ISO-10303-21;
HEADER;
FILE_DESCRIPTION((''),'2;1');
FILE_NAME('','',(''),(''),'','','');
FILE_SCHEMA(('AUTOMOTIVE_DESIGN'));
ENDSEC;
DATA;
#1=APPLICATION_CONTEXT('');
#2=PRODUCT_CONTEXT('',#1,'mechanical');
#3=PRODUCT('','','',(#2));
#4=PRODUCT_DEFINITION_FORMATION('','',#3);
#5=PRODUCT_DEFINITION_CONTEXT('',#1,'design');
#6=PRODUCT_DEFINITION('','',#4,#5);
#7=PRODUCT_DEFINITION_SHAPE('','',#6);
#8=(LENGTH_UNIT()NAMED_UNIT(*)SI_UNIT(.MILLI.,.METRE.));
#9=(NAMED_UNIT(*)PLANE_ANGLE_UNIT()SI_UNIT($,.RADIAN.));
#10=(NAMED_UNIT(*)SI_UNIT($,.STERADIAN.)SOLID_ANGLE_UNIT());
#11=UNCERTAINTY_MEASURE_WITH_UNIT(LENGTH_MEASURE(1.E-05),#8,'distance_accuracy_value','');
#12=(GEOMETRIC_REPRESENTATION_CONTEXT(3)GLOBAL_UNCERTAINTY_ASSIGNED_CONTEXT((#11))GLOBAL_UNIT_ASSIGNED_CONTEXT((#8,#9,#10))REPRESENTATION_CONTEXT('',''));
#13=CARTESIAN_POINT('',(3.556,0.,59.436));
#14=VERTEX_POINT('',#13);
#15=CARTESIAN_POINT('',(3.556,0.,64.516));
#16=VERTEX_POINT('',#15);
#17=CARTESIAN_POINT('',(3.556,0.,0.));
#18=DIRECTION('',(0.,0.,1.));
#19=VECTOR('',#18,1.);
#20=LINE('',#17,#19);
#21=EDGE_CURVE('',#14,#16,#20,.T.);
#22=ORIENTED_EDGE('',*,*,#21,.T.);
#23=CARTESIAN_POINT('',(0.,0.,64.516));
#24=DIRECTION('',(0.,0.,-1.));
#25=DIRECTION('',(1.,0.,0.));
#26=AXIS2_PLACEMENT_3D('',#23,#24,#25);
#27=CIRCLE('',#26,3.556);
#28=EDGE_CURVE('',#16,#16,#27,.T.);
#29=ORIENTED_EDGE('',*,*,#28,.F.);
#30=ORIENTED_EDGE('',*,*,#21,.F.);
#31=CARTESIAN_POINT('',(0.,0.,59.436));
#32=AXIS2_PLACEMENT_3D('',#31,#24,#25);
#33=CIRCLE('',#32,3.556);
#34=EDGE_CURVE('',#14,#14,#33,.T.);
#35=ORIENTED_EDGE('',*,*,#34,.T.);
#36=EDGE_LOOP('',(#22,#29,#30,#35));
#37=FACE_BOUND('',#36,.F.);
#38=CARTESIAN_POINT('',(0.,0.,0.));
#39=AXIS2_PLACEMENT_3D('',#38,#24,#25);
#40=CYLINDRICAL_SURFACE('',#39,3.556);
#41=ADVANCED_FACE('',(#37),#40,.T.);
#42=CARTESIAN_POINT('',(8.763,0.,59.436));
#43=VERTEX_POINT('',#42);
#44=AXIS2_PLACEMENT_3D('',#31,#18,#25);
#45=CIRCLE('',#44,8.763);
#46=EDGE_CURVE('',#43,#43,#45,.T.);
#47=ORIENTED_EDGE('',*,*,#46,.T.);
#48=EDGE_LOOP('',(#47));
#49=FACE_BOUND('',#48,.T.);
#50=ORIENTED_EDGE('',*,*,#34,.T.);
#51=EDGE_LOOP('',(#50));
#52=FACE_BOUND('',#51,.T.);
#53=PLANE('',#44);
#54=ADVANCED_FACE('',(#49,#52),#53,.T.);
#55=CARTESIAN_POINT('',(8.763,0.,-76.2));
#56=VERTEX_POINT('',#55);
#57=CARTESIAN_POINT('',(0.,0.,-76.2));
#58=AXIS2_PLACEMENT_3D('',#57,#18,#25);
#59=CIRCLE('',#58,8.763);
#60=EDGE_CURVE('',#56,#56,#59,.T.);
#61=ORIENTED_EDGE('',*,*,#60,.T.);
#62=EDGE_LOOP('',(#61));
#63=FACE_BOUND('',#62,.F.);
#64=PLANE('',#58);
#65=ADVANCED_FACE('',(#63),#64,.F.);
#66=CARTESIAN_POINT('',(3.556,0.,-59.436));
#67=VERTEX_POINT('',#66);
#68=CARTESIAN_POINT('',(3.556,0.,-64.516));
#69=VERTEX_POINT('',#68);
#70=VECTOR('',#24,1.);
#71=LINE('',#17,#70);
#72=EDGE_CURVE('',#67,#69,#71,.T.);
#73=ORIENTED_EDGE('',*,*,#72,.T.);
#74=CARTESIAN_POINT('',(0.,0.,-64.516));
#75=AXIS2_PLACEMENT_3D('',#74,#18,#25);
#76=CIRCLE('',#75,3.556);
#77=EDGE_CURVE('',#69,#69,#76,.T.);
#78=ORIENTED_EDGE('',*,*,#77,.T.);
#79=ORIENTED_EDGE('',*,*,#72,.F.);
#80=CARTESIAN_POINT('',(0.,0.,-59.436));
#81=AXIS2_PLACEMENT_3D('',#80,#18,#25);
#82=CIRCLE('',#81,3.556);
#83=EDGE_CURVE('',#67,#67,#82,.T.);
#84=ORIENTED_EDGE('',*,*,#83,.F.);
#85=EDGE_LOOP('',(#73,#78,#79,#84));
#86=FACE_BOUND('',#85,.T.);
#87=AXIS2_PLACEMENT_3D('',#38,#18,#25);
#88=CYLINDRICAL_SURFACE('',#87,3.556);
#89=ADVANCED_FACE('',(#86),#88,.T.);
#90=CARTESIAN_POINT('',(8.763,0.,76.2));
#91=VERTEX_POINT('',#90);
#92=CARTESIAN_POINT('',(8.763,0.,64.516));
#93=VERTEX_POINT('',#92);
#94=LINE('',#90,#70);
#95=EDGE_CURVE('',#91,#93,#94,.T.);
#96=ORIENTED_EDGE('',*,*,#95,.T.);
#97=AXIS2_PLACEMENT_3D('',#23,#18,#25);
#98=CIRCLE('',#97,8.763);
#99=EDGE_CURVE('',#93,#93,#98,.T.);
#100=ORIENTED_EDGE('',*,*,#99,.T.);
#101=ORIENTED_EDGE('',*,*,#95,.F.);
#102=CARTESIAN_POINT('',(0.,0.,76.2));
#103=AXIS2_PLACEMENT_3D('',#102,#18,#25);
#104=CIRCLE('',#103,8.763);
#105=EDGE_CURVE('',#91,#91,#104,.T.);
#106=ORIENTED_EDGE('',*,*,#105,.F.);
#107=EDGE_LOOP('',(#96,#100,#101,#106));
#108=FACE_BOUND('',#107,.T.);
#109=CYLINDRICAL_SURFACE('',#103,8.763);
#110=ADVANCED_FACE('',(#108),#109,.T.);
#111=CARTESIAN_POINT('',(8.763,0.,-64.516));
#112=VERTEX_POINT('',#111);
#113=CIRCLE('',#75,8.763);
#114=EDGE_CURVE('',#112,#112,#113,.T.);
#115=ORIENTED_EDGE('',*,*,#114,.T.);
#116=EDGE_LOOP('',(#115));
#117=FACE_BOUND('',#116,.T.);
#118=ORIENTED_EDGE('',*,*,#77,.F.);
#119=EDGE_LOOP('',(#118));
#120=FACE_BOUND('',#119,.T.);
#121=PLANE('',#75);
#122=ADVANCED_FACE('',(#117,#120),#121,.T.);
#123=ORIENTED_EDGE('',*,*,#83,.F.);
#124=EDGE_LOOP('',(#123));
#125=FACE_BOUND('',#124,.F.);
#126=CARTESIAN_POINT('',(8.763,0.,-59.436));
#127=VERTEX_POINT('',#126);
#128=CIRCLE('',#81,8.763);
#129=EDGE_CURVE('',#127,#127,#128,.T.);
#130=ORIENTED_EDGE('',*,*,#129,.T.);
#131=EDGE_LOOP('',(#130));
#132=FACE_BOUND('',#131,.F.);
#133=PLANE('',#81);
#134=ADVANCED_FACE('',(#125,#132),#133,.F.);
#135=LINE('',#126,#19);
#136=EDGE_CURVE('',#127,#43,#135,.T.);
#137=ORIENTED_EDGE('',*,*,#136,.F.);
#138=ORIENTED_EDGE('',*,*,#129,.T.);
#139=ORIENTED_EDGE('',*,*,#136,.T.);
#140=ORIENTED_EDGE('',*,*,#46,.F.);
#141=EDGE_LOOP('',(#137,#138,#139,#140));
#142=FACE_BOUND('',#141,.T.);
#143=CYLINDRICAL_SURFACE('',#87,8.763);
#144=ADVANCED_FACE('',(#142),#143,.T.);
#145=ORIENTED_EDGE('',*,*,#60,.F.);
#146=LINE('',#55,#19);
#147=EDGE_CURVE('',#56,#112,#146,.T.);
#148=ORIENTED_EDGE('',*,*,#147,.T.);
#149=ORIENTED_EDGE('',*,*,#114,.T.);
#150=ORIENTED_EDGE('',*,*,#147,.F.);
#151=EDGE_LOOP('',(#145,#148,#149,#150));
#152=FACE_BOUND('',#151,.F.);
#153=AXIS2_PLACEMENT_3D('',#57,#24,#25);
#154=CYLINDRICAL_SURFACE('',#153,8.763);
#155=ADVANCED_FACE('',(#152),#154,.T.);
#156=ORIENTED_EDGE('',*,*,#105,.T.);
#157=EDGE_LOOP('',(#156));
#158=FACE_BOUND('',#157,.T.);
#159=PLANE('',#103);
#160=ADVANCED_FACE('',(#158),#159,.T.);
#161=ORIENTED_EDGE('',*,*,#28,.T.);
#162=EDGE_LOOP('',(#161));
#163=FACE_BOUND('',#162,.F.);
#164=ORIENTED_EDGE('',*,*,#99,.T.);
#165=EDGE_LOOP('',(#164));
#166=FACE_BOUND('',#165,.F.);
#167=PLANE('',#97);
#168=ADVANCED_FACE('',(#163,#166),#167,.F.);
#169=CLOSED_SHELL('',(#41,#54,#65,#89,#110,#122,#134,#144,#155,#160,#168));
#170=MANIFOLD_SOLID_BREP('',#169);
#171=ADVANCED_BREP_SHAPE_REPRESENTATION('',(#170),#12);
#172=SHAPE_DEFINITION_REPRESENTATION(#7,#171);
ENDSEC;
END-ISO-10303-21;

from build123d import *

# Parameters (mm, degrees)
F0_R          = 8.763
F1_DEPTH      = 59.436
F1_DEPTH_BACK = 59.436
F2_R          = 3.556
F3_DEPTH      = 76.2
F3_DEPTH_BACK = 76.2
F6_R          = 8.763
F7_DEPTH      = 11.684
F8_R          = 8.763
F9_DEPTH      = 11.684


with BuildPart() as f1:
    # F0 (on Top) → F1 (new body, two sides)
    with BuildSketch(Plane.XY) as f1_sk:
        Circle(F0_R)
    extrude(amount=F1_DEPTH)
    extrude(f1_sk.sketch, amount=-F1_DEPTH_BACK)

    # F2 (on Top) → F3 (join, two sides)
    with BuildSketch(Plane.XY) as f3_sk:
        Circle(F2_R)
    extrude(amount=F3_DEPTH)
    extrude(f3_sk.sketch, amount=-F3_DEPTH_BACK)

    # F6 (on offset) → F7 (join)
    with BuildSketch(Plane.XY.offset(76.2)):
        Circle(F6_R)
    extrude(amount=-F7_DEPTH)

    # F8 (on offset) → F9 (join)
    with BuildSketch(Plane.XY.offset(-76.2)):
        Circle(F8_R)
    extrude(amount=F9_DEPTH)


solid = f1.part
